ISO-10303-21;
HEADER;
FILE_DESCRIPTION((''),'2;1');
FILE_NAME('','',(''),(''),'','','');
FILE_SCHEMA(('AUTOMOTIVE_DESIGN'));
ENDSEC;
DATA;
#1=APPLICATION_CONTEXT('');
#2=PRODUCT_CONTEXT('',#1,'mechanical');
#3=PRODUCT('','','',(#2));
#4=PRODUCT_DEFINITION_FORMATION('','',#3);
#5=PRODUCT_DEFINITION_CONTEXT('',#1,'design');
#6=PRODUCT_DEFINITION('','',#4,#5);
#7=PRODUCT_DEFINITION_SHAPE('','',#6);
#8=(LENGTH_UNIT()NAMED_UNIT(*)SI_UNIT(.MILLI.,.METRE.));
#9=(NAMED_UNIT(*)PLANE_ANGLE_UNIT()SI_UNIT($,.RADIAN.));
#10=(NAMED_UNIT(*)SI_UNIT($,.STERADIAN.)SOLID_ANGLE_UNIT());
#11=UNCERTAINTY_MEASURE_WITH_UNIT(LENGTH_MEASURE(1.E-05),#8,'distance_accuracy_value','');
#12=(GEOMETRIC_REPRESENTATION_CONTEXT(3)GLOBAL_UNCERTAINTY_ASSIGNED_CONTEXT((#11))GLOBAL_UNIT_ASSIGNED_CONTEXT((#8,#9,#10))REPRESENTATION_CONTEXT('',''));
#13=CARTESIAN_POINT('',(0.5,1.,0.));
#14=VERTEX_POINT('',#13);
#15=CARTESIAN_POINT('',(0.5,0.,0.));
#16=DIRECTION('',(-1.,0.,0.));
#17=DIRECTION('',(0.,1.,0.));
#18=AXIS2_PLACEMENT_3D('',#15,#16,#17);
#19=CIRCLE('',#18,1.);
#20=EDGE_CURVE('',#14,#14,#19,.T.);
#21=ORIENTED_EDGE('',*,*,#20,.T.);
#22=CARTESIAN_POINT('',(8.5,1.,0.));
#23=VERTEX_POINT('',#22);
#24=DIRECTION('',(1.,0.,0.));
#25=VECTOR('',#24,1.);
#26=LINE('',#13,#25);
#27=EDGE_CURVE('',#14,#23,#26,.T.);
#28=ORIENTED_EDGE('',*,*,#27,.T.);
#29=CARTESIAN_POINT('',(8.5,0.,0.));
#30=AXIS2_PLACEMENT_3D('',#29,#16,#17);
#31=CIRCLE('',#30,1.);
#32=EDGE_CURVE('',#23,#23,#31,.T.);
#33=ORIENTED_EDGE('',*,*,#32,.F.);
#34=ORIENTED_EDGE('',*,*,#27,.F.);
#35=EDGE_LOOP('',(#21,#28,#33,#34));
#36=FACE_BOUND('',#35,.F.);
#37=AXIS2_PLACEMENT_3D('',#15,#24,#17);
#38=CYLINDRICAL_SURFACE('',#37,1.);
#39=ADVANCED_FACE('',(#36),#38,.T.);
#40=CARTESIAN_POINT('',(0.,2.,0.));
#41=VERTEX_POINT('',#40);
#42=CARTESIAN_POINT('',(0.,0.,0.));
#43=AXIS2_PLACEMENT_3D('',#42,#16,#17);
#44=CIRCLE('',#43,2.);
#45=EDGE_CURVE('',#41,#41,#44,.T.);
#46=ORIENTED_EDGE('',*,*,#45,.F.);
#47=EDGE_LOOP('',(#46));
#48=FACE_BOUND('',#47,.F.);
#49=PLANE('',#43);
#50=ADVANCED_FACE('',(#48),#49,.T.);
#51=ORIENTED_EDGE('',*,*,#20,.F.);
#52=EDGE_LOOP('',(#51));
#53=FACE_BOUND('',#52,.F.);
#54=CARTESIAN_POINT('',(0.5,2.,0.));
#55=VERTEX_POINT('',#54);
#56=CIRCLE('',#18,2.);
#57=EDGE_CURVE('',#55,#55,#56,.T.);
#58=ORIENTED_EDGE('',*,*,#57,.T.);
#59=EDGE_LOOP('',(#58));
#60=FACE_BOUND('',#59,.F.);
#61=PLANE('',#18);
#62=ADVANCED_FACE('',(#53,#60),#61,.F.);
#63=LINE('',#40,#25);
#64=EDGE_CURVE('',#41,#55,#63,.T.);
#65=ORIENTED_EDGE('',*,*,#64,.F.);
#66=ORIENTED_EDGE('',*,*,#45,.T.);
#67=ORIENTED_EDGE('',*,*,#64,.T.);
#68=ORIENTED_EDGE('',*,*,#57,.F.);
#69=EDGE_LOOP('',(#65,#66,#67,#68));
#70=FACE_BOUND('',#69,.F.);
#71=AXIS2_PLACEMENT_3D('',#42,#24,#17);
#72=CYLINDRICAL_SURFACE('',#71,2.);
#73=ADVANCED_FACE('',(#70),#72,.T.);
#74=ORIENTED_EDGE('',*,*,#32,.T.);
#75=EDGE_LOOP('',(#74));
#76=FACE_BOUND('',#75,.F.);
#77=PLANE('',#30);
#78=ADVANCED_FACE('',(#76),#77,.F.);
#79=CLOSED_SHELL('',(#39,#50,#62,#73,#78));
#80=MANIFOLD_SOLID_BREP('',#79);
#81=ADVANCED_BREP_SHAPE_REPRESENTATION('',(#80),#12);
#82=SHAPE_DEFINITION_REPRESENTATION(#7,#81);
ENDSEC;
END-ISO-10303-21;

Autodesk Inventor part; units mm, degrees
ref_plane "YZ Plane" through (0, 0, 0) normal (1, 0, 0) x (0, 1, 0)
ref_plane "XZ Plane" through (0, 0, 0) normal (0, 1, 0) x (-1, 0, 0)
ref_plane "XY Plane" through (0, 0, 0) normal (0, 0, 1) x (1, 0, 0)
sketch "スケッチ1" plane through (0, 0, 0) normal (0, 0, 1) x (1, 0, 0)
  line L0 (0, 0) -> (0, 2)
  line L1 (0, 2) -> (0.5, 2)
  line L2 (0.5, 2) -> (0.5, 1)
  line L3 (0.5, 1) -> (8.5, 1)
  line L4 (8.5, 1) -> (8.5, 0)
  line L5 (8.5, 0) -> (0, 0)
  dimension "d0" = 0.5
  dimension "d1" = 8
  dimension "d2" = 2
  dimension "d3" = 1
revolve "回転1" add sketch "スケッチ1" angle 360 about axis through (8.5, 0, 0) along (-1, 0, 0)
properties part number "M2_L10" material "鋼"
